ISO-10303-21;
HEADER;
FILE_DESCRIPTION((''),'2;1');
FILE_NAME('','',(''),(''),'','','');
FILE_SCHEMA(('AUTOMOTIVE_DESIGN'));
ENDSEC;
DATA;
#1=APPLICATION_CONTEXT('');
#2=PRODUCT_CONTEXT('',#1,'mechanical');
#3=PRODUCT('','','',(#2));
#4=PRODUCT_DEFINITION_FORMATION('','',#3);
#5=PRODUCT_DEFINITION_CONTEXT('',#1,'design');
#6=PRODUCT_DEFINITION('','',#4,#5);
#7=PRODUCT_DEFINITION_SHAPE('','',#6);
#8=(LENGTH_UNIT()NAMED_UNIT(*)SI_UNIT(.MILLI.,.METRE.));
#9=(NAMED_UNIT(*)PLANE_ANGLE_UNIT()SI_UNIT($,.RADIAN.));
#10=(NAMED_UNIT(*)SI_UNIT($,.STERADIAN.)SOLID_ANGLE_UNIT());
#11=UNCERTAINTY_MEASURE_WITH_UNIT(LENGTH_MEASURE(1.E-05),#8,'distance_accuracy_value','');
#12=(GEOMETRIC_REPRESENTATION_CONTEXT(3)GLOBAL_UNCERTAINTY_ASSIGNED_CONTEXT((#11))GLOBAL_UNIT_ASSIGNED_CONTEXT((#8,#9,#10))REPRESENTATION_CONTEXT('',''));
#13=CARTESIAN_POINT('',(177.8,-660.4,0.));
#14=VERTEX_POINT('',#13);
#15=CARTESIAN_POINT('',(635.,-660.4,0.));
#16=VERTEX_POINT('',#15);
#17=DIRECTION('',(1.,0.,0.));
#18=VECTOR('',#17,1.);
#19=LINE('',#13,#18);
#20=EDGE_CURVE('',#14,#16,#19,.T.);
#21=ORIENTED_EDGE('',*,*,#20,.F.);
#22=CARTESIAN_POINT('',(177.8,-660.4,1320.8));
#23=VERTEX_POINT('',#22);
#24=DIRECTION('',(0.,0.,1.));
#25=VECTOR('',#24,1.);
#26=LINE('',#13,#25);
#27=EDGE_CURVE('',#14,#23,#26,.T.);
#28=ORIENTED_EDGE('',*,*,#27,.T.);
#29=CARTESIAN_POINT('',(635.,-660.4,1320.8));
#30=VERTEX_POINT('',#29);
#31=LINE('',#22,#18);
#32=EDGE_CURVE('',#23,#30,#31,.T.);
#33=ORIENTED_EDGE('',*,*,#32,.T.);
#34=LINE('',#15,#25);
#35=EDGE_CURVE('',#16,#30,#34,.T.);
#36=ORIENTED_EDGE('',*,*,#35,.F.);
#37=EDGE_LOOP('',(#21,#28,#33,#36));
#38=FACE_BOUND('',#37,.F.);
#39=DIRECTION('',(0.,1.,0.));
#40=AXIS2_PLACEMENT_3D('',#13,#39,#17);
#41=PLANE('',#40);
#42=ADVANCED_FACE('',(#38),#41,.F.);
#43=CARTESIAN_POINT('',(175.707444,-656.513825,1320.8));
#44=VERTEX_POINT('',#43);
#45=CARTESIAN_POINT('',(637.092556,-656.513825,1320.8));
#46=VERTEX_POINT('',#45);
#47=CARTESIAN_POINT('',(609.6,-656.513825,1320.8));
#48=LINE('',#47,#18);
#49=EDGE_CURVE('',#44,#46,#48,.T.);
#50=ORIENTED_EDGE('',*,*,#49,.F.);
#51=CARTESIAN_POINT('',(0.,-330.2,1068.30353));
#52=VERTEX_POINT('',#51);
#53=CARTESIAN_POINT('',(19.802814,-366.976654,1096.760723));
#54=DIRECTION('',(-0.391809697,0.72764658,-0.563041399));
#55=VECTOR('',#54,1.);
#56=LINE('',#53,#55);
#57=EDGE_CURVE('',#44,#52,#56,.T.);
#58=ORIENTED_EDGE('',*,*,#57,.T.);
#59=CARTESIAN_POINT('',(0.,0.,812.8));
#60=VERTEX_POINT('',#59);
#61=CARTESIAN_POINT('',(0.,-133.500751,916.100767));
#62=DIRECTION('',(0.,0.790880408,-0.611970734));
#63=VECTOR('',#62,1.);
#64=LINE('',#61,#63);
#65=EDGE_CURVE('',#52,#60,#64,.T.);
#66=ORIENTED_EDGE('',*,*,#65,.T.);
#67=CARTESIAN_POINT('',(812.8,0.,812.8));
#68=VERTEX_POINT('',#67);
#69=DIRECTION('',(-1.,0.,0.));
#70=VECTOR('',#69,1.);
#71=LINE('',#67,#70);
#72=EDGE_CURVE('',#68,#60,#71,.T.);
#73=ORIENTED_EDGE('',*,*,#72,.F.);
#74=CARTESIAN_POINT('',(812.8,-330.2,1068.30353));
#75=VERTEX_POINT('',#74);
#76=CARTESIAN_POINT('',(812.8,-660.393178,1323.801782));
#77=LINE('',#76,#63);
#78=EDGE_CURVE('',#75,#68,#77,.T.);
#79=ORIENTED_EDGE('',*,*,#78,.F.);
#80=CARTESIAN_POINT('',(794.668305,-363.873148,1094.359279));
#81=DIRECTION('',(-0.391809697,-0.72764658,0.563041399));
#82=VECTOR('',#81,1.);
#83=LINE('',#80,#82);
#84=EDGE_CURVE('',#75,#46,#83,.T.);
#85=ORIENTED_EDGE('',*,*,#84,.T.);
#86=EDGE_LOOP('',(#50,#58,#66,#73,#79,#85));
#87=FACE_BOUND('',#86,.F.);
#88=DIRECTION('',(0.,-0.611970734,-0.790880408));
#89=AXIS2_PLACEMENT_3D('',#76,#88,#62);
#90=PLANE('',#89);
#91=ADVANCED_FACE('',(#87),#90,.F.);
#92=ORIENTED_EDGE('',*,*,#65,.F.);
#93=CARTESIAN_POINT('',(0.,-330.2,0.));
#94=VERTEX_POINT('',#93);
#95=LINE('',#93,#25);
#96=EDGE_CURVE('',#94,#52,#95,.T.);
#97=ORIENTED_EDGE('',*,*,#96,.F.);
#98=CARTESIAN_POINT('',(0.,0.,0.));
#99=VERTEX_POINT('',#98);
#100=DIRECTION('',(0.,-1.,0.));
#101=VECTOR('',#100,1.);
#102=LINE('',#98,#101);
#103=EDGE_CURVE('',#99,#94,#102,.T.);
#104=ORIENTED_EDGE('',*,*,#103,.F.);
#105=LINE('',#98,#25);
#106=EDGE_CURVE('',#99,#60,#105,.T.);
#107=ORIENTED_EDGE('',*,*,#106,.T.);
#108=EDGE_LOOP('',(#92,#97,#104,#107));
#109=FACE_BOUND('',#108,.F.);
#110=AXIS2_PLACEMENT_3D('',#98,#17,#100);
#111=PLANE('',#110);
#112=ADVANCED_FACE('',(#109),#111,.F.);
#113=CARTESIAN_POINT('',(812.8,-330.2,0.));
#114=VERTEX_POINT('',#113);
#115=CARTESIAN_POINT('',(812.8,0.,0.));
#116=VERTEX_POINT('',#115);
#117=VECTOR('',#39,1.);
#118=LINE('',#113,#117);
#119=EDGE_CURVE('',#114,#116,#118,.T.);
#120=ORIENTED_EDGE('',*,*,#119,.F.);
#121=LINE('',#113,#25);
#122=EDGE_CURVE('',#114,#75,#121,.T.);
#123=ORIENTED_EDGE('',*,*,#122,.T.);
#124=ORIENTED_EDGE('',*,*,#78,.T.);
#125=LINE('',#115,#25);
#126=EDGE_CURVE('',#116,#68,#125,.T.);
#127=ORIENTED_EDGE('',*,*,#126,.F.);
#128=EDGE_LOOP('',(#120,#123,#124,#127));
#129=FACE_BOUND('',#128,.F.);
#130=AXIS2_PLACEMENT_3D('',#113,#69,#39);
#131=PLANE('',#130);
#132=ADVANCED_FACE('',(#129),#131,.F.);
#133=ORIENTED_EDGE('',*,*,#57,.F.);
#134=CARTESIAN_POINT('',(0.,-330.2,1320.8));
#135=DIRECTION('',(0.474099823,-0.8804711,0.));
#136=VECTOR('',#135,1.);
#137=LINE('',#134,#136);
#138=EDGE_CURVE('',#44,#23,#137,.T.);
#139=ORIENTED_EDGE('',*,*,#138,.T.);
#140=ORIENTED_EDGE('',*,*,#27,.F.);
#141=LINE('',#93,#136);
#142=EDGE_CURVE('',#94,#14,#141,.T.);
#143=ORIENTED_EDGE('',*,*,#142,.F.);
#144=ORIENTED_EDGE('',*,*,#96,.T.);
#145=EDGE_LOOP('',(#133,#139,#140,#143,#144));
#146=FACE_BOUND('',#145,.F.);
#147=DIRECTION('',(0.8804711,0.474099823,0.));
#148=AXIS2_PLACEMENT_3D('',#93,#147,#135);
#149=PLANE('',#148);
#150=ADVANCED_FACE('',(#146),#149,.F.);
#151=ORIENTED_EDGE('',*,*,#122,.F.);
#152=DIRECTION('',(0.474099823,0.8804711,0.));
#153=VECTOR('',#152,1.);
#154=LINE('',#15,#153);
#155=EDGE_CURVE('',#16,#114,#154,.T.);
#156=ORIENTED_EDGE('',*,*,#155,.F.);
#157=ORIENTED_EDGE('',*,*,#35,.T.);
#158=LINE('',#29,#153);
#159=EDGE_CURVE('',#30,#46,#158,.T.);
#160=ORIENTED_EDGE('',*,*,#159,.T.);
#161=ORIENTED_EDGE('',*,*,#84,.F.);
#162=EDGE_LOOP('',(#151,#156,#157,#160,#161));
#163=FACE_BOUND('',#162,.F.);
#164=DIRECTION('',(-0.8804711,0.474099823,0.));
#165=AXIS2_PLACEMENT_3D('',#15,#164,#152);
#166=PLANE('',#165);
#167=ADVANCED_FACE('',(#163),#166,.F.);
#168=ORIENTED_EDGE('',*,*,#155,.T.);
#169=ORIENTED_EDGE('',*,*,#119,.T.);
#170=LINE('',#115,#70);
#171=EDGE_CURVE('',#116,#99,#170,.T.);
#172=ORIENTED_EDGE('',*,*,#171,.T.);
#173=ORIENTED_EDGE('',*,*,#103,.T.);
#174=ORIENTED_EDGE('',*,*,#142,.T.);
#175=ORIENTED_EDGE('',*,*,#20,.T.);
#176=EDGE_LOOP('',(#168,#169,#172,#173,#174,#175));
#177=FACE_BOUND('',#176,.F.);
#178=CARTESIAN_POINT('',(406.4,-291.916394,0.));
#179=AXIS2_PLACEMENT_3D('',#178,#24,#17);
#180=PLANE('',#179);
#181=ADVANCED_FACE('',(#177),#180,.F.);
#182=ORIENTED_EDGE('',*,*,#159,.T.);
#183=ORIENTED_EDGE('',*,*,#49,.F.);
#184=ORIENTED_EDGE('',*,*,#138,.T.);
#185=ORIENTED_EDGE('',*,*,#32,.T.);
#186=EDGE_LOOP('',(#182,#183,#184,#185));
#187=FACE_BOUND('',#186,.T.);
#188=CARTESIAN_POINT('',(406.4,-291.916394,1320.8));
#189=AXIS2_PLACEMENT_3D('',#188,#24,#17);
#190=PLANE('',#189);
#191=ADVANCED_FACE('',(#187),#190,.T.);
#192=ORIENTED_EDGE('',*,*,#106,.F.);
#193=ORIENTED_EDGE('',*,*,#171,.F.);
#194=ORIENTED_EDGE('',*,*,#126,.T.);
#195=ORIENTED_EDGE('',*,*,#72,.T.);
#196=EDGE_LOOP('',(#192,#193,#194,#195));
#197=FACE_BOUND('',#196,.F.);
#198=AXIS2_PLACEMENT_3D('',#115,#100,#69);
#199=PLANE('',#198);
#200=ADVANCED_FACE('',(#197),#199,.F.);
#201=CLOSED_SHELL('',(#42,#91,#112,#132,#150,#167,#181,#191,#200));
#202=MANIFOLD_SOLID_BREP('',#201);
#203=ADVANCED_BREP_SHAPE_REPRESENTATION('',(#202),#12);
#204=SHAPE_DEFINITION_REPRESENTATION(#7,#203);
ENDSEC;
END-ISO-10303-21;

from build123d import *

# Parameters (mm, degrees)
F1_DEPTH = 1320.8
F3_DEPTH = 812.801


with BuildPart() as f1:
    # F0 (on Top) → F1 (new body)
    with BuildSketch(Plane.XY):
        Polygon((812.8, 0), (0, 0), (0, -330.2), (177.8, -660.4), (635, -660.4), (812.8, -330.2), align=None)
    extrude(amount=F1_DEPTH)

    # F2 (on face) → F3 (cut, through all)
    with BuildSketch(Plane.YZ.offset(812.8)):
        Polygon((0, 1320.8), (-660.393178, 1323.801782), (0, 812.8), align=None)
    extrude(amount=-F3_DEPTH, mode=Mode.SUBTRACT)


solid = f1.part
